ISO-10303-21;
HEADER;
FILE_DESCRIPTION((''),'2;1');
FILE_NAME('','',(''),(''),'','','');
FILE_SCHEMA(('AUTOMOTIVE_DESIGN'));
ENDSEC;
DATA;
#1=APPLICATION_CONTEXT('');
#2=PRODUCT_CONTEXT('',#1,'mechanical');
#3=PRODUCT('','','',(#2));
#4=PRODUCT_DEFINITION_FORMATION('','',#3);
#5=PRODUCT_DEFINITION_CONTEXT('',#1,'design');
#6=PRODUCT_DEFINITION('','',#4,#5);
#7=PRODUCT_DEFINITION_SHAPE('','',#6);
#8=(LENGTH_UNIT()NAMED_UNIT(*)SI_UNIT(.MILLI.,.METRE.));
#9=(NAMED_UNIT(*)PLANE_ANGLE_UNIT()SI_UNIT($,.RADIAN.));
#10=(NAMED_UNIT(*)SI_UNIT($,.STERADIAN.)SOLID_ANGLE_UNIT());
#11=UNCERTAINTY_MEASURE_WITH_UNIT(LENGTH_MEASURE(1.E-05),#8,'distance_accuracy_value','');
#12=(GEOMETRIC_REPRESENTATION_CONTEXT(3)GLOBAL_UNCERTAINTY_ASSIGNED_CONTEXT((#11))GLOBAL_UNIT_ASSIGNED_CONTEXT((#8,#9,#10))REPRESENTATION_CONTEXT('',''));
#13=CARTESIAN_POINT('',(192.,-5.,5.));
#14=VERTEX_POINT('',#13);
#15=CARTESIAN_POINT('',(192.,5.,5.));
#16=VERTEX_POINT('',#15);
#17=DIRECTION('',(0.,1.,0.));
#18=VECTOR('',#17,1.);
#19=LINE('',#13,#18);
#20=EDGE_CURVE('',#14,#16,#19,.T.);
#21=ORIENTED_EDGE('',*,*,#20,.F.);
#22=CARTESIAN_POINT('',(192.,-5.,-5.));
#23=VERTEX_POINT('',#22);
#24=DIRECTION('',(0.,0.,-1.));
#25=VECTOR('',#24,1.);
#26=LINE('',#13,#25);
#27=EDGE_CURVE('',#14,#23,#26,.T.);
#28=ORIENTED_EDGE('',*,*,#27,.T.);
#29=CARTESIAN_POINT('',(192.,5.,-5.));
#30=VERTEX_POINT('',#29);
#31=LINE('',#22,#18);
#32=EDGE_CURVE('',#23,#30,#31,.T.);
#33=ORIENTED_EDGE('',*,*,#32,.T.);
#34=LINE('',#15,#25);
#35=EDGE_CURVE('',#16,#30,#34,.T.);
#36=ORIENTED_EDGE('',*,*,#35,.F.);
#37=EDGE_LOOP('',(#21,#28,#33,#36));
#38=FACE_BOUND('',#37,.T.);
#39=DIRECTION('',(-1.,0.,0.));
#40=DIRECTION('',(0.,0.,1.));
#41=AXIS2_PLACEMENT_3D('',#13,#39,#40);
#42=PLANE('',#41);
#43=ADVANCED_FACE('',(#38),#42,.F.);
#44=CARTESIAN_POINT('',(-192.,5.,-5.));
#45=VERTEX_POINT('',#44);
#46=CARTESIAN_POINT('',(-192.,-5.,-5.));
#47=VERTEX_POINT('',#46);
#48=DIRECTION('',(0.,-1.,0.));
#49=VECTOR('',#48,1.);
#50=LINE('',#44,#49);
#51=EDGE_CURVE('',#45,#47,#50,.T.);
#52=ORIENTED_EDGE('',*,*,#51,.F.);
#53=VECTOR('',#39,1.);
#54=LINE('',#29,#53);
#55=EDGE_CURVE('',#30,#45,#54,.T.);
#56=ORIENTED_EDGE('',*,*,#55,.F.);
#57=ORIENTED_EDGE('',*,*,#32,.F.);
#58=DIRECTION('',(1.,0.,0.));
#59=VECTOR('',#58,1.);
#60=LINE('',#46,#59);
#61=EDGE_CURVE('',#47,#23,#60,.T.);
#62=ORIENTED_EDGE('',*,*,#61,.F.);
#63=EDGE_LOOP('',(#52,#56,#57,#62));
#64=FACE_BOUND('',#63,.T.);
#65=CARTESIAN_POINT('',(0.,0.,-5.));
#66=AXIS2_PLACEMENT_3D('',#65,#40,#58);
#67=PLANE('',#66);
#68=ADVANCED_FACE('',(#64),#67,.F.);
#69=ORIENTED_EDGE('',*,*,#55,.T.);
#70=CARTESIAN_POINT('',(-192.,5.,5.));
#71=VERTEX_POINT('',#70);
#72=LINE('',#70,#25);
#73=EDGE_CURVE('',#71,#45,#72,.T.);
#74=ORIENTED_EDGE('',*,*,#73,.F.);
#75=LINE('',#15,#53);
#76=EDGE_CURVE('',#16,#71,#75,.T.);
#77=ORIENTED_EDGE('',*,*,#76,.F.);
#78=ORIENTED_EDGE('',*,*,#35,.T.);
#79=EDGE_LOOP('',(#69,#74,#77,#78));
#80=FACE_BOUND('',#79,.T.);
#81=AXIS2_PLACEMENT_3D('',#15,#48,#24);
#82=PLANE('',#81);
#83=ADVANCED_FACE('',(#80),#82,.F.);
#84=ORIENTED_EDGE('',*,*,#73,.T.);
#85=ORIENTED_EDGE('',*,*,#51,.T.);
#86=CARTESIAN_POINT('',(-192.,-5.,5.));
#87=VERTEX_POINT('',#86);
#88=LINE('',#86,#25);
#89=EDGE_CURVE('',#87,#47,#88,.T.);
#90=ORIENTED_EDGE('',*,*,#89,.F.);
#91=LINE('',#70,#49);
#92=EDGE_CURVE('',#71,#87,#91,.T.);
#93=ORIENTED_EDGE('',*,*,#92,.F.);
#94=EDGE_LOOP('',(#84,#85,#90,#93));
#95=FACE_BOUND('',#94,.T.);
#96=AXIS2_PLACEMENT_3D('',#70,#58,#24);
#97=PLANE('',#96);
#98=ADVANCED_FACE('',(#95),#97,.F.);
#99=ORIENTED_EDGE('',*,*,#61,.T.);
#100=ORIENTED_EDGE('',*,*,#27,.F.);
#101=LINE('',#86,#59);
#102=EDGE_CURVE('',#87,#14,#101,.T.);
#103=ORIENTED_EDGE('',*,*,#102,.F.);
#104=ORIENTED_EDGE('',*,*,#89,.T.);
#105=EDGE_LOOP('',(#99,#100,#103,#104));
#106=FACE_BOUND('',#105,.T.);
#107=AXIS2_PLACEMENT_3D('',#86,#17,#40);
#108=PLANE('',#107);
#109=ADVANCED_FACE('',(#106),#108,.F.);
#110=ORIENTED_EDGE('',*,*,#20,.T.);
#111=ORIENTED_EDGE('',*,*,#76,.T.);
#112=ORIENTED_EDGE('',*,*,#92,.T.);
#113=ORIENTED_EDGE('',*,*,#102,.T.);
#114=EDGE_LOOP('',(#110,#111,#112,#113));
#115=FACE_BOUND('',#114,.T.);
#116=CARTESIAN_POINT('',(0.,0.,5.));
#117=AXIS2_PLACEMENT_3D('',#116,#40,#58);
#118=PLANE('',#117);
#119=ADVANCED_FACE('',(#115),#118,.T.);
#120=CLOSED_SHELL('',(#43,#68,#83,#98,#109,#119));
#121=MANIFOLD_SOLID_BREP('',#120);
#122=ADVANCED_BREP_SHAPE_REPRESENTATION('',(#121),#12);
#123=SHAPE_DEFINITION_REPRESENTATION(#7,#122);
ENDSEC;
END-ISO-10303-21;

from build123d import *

# Parameters (mm, degrees)
SKETCH1_W           = 384
SKETCH1_H           = 10
BOSS_EXTRUDE1_DEPTH = 5


with BuildPart() as part:
    # Sketch1 → Boss-Extrude1 (new, symmetric)
    with BuildSketch(Plane.XY):
        Rectangle(SKETCH1_W, SKETCH1_H)
    extrude(amount=BOSS_EXTRUDE1_DEPTH, both=True)


solid = part.part
